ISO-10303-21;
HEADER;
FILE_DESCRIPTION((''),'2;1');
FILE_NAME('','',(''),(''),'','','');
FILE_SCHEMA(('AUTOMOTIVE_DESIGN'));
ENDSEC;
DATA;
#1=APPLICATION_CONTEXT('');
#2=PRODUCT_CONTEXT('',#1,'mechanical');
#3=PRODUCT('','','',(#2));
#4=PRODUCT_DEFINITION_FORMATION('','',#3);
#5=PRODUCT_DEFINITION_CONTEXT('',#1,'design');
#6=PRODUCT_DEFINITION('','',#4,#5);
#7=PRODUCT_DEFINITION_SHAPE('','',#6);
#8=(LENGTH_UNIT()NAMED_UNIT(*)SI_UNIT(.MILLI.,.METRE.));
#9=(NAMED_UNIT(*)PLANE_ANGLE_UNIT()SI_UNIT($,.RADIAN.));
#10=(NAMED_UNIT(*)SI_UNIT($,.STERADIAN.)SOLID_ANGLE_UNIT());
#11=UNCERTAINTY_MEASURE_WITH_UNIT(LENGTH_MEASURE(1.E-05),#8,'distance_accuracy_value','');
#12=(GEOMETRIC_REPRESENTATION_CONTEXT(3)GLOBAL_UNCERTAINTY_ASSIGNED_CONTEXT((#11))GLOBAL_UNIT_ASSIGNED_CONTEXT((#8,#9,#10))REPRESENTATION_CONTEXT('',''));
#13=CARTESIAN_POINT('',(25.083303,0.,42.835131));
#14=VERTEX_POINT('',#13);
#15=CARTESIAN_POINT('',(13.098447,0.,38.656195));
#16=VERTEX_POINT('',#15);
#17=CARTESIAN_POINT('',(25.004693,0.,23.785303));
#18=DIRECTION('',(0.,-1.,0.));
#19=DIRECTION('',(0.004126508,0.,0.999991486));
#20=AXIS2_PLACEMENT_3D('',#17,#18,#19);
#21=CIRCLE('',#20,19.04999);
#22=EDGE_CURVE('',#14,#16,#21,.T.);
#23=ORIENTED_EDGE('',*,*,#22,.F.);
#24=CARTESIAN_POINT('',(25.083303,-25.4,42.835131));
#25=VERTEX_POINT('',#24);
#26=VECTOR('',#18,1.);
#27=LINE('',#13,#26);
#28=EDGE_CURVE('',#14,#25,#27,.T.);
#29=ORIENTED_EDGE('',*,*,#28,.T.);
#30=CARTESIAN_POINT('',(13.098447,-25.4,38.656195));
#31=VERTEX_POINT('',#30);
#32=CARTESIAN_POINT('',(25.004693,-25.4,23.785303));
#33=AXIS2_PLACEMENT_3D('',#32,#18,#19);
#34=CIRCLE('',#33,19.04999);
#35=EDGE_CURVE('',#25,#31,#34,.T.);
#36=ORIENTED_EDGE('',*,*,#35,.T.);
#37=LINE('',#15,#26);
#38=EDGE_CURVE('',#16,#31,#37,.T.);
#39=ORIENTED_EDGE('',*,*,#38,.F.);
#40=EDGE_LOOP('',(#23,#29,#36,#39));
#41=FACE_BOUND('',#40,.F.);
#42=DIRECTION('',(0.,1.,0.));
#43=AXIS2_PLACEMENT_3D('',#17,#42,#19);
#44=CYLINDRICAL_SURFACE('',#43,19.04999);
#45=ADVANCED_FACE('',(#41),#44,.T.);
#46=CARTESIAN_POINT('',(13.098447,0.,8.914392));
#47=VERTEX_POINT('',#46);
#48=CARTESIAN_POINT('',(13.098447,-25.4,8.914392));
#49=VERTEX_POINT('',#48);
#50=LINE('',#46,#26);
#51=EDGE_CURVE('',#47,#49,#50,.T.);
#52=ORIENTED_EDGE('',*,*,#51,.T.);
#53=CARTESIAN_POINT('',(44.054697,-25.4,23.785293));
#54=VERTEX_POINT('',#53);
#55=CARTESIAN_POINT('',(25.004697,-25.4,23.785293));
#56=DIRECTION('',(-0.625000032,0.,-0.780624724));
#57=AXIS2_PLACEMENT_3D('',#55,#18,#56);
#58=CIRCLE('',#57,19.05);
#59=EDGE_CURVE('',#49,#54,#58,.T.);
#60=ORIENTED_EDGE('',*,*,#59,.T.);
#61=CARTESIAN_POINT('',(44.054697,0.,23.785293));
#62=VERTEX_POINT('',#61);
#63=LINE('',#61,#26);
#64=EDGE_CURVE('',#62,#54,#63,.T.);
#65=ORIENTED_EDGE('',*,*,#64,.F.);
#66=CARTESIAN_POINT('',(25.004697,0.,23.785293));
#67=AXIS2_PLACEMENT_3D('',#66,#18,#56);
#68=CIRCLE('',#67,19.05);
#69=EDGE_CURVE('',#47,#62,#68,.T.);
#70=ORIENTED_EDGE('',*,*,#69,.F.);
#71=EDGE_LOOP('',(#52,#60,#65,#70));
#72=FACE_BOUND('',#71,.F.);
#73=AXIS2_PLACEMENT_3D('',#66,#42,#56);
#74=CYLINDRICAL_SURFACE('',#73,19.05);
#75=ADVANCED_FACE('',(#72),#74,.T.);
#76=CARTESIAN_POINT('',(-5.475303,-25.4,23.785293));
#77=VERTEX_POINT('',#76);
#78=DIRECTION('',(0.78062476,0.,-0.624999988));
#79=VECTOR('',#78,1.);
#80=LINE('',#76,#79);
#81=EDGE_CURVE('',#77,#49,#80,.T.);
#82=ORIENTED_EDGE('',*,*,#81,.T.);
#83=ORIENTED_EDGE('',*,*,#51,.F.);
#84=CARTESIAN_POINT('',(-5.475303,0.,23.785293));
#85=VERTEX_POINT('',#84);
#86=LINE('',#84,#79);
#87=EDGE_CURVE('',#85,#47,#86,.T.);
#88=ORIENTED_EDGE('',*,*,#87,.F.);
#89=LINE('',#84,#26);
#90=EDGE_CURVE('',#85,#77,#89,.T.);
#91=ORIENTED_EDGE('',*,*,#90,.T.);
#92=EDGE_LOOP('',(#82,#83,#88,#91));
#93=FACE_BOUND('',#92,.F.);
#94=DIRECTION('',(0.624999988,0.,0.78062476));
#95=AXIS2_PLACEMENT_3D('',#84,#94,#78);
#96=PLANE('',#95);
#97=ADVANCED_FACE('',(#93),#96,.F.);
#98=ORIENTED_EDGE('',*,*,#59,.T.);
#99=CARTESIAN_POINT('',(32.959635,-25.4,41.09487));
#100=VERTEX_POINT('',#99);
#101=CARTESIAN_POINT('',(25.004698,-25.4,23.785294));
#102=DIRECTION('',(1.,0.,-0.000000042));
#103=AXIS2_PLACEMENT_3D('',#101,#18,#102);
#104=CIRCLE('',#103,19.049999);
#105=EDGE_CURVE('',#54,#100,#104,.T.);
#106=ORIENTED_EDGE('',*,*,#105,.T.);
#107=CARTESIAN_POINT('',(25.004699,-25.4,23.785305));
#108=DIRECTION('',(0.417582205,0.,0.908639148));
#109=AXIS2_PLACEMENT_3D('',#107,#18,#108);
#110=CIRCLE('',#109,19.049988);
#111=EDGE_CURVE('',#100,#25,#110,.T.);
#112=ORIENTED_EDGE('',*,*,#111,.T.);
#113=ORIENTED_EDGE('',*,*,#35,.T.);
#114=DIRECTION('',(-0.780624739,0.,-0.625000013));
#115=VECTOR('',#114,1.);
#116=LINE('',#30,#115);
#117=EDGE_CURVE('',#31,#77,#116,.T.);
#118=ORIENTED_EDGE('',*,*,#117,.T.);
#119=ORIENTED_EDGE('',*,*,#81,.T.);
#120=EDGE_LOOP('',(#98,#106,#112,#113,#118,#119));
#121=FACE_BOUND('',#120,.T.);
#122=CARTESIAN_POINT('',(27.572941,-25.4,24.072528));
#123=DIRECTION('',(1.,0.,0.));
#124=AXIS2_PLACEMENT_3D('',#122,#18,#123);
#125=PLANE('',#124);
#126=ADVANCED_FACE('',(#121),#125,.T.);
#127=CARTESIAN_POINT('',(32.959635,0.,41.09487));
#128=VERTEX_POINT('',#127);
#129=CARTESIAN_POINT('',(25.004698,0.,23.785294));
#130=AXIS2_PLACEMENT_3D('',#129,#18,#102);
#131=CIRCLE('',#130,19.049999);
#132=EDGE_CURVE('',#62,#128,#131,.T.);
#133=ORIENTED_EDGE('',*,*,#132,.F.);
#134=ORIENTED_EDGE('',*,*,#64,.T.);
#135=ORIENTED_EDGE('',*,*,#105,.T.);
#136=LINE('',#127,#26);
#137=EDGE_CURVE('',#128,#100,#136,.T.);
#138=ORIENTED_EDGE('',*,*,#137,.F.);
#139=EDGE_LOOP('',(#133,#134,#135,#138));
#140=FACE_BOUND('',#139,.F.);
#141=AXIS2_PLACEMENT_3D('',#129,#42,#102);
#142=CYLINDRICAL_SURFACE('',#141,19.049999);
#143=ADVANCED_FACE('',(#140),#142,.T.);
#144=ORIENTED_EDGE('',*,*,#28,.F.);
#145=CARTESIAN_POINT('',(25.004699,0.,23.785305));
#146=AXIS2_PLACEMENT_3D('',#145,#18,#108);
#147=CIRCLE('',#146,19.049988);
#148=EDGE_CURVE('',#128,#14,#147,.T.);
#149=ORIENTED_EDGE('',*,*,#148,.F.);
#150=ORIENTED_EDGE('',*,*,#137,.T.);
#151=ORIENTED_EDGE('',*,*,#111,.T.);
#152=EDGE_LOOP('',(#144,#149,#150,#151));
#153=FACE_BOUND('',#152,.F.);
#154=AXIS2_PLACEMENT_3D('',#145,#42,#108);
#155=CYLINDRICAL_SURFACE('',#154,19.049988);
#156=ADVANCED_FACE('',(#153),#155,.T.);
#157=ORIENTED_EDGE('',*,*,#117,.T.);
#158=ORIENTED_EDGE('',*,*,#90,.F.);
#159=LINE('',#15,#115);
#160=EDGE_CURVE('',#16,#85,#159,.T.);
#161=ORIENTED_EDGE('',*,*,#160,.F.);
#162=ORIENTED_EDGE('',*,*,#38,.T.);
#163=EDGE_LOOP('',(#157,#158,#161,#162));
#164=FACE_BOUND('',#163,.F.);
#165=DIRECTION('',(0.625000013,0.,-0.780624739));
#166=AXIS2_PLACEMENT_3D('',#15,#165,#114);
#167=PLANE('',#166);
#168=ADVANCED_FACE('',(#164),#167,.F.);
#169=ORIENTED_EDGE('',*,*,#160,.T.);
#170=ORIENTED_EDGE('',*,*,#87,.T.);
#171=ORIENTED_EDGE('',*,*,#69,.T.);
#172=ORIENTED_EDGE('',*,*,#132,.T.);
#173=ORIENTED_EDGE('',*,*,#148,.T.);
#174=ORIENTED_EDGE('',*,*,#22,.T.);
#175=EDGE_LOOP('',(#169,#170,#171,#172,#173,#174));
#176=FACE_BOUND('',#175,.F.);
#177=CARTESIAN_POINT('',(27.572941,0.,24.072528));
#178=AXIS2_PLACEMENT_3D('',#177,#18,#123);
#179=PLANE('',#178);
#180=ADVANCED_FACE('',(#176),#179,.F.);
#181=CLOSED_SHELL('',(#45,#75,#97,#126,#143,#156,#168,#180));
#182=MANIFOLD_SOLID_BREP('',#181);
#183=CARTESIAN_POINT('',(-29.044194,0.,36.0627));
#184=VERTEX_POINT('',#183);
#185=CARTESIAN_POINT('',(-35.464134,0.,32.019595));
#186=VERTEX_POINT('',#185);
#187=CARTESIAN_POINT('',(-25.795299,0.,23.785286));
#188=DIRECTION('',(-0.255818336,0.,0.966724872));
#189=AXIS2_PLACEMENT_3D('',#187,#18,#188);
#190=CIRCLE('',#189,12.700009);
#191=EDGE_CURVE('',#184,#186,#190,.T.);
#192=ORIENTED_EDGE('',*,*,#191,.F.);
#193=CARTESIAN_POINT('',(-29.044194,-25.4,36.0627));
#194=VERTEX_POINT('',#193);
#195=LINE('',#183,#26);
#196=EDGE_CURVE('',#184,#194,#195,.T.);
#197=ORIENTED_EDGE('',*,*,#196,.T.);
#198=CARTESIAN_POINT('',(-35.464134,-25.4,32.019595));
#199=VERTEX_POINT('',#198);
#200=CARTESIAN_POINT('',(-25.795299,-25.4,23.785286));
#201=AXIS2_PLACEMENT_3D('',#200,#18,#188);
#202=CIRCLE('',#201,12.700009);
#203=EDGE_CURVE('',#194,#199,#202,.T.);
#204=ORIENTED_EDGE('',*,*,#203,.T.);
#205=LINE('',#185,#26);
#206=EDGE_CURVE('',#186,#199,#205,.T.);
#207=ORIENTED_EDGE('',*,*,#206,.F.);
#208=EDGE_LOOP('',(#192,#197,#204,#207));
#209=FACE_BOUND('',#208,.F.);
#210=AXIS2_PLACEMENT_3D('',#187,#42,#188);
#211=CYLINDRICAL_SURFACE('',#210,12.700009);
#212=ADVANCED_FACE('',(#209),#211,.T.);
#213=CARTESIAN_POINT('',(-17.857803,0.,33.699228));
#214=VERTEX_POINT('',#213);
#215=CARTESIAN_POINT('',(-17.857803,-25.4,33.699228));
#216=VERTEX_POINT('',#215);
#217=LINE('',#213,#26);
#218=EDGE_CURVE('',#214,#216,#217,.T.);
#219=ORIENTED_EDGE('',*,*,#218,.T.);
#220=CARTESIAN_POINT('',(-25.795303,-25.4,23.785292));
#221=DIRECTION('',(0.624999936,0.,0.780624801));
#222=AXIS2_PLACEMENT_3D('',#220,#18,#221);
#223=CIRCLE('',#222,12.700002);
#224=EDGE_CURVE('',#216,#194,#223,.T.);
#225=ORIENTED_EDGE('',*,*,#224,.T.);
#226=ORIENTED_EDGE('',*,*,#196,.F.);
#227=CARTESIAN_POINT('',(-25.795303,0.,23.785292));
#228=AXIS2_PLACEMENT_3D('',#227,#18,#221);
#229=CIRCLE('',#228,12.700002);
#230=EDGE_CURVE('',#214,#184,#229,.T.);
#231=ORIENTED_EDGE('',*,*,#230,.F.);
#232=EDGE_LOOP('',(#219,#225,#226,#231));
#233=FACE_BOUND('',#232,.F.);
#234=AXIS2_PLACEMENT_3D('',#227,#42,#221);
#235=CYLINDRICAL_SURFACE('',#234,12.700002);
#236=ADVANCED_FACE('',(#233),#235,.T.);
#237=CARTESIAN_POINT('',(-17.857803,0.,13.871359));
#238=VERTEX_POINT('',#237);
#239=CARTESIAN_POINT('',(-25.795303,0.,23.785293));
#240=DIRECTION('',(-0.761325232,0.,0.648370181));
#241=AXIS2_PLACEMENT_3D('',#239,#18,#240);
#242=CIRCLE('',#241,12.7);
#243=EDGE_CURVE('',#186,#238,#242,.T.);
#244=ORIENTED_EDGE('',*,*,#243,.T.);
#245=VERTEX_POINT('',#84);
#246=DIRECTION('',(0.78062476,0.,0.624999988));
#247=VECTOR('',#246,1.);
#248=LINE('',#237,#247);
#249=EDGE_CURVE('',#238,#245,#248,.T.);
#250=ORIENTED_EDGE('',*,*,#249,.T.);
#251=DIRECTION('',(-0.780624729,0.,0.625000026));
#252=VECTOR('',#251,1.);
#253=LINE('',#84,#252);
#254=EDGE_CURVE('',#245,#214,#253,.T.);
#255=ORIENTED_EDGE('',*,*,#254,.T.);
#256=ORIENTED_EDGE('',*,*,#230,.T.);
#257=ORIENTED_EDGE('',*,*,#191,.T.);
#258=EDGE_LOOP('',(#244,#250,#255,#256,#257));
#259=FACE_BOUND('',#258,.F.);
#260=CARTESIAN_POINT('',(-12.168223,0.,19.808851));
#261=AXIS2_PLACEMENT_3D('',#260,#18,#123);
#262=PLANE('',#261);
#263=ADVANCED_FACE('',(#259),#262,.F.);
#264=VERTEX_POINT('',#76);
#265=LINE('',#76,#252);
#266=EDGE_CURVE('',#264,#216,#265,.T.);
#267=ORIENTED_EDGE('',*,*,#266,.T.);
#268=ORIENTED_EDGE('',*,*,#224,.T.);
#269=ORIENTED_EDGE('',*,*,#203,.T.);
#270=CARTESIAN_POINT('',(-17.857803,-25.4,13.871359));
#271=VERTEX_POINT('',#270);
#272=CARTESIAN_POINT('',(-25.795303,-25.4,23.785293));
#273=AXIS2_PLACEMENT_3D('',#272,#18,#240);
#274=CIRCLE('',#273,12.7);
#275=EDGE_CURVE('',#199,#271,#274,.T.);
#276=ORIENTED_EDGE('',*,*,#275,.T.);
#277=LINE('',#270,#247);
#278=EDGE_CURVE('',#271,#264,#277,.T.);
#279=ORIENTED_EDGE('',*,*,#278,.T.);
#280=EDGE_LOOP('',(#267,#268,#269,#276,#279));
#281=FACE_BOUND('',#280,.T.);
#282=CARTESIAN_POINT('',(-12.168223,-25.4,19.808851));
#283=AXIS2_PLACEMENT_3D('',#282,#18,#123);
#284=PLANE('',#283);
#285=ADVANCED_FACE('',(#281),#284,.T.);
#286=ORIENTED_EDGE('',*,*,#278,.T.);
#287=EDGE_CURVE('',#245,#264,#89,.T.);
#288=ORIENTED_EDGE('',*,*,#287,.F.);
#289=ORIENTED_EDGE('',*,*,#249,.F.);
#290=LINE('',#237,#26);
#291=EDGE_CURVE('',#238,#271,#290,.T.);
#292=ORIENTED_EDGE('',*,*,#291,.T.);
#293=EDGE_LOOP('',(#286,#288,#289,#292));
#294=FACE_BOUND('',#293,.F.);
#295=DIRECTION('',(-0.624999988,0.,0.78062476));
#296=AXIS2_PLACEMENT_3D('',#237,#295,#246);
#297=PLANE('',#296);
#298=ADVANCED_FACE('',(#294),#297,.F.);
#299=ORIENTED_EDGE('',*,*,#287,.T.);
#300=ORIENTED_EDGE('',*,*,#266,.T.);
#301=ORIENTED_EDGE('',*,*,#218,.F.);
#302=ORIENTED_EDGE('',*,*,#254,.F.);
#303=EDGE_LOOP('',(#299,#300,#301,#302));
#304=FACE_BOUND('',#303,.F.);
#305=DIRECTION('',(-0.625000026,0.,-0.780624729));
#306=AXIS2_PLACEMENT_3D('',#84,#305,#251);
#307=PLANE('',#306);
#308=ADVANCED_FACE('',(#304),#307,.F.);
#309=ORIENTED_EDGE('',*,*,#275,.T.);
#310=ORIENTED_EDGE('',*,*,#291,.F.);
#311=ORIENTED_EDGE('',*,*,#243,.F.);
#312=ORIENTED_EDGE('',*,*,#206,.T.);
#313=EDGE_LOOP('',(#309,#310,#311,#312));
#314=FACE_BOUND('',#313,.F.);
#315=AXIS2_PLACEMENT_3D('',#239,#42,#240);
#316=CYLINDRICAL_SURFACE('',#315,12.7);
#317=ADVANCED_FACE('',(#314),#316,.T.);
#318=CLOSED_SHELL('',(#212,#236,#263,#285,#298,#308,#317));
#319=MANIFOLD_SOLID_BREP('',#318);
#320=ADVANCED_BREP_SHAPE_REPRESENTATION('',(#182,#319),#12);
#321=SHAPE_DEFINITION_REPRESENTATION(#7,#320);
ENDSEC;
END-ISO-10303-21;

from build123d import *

# Parameters (mm, degrees)
F1_DEPTH = 25.4


with BuildPart() as f1:
    # F0 (on Front) → F1 (new body)
    with BuildSketch(Plane.XZ):
        with BuildLine():
            ThreePointArc((25.083303, 42.835131), (18.732602, 41.77316), (13.098447, 38.656195))
            Line((13.098447, 38.656195), (25.004697, 23.785293))
            Line((25.004697, 23.785293), (13.098447, 8.914392))
            ThreePointArc((13.098447, 8.914392), (33.253589, 6.613855), (44.054697, 23.785293))
            ThreePointArc((44.054697, 23.785293), (41.04284, 34.065394), (32.959635, 41.09487))
            ThreePointArc((32.959635, 41.09487), (29.114634, 42.386662), (25.083303, 42.835131))
        make_face()
        with BuildLine():
            Line((5.954697, 23.785293), (-5.475303, 23.785293))
            Line((-5.475303, 23.785293), (13.098447, 8.914392))
            ThreePointArc((13.098447, 8.914392), (7.833259, 15.536401), (5.954697, 23.785293))
        make_face()
        with BuildLine():
            Line((25.004697, 23.785293), (13.098447, 38.656195))
            ThreePointArc((13.098447, 38.656195), (7.833259, 32.034185), (5.954697, 23.785293))
            Line((5.954697, 23.785293), (25.004697, 23.785293))
        make_face()
        with BuildLine():
            Line((25.004697, 23.785293), (5.954697, 23.785293))
            ThreePointArc((5.954697, 23.785293), (7.833259, 15.536401), (13.098447, 8.914392))
            Line((13.098447, 8.914392), (25.004697, 23.785293))
        make_face()
        with BuildLine():
            Line((13.098447, 38.656195), (-5.475303, 23.785293))
            Line((-5.475303, 23.785293), (5.954697, 23.785293))
            ThreePointArc((5.954697, 23.785293), (7.833259, 32.034185), (13.098447, 38.656195))
        make_face()
        with BuildLine():
            Line((-5.475303, 23.785293), (-13.095303, 23.785293))
            ThreePointArc((-13.095303, 23.785293), (-14.347678, 18.286032), (-17.857803, 13.871359))
            Line((-17.857803, 13.871359), (-5.475303, 23.785293))
        make_face()
        with BuildLine():
            Line((-25.795303, 23.785293), (-13.095303, 23.785293))
            ThreePointArc((-13.095303, 23.785293), (-14.347678, 29.284555), (-17.857803, 33.699228))
            Line((-17.857803, 33.699228), (-25.795303, 23.785293))
        make_face()
        with BuildLine():
            ThreePointArc((-17.857803, 33.699228), (-14.347678, 29.284555), (-13.095303, 23.785293))
            Line((-13.095303, 23.785293), (-5.475303, 23.785293))
            Line((-5.475303, 23.785293), (-17.857803, 33.699228))
        make_face()
        with BuildLine():
            Line((-25.795303, 23.785293), (-17.857803, 33.699228))
            ThreePointArc((-17.857803, 33.699228), (-23.169991, 36.210982), (-29.044194, 36.0627))
            ThreePointArc((-29.044194, 36.0627), (-32.563136, 34.531755), (-35.464134, 32.019595))
            ThreePointArc((-35.464134, 32.019595), (-34.91062, 14.94216), (-17.857803, 13.871359))
            Line((-17.857803, 13.871359), (-25.795303, 23.785293))
        make_face()
        with BuildLine():
            ThreePointArc((-17.857803, 13.871359), (-14.347678, 18.286032), (-13.095303, 23.785293))
            Line((-13.095303, 23.785293), (-25.795303, 23.785293))
            Line((-25.795303, 23.785293), (-17.857803, 13.871359))
        make_face()
    extrude(amount=F1_DEPTH)


solid = f1.part
